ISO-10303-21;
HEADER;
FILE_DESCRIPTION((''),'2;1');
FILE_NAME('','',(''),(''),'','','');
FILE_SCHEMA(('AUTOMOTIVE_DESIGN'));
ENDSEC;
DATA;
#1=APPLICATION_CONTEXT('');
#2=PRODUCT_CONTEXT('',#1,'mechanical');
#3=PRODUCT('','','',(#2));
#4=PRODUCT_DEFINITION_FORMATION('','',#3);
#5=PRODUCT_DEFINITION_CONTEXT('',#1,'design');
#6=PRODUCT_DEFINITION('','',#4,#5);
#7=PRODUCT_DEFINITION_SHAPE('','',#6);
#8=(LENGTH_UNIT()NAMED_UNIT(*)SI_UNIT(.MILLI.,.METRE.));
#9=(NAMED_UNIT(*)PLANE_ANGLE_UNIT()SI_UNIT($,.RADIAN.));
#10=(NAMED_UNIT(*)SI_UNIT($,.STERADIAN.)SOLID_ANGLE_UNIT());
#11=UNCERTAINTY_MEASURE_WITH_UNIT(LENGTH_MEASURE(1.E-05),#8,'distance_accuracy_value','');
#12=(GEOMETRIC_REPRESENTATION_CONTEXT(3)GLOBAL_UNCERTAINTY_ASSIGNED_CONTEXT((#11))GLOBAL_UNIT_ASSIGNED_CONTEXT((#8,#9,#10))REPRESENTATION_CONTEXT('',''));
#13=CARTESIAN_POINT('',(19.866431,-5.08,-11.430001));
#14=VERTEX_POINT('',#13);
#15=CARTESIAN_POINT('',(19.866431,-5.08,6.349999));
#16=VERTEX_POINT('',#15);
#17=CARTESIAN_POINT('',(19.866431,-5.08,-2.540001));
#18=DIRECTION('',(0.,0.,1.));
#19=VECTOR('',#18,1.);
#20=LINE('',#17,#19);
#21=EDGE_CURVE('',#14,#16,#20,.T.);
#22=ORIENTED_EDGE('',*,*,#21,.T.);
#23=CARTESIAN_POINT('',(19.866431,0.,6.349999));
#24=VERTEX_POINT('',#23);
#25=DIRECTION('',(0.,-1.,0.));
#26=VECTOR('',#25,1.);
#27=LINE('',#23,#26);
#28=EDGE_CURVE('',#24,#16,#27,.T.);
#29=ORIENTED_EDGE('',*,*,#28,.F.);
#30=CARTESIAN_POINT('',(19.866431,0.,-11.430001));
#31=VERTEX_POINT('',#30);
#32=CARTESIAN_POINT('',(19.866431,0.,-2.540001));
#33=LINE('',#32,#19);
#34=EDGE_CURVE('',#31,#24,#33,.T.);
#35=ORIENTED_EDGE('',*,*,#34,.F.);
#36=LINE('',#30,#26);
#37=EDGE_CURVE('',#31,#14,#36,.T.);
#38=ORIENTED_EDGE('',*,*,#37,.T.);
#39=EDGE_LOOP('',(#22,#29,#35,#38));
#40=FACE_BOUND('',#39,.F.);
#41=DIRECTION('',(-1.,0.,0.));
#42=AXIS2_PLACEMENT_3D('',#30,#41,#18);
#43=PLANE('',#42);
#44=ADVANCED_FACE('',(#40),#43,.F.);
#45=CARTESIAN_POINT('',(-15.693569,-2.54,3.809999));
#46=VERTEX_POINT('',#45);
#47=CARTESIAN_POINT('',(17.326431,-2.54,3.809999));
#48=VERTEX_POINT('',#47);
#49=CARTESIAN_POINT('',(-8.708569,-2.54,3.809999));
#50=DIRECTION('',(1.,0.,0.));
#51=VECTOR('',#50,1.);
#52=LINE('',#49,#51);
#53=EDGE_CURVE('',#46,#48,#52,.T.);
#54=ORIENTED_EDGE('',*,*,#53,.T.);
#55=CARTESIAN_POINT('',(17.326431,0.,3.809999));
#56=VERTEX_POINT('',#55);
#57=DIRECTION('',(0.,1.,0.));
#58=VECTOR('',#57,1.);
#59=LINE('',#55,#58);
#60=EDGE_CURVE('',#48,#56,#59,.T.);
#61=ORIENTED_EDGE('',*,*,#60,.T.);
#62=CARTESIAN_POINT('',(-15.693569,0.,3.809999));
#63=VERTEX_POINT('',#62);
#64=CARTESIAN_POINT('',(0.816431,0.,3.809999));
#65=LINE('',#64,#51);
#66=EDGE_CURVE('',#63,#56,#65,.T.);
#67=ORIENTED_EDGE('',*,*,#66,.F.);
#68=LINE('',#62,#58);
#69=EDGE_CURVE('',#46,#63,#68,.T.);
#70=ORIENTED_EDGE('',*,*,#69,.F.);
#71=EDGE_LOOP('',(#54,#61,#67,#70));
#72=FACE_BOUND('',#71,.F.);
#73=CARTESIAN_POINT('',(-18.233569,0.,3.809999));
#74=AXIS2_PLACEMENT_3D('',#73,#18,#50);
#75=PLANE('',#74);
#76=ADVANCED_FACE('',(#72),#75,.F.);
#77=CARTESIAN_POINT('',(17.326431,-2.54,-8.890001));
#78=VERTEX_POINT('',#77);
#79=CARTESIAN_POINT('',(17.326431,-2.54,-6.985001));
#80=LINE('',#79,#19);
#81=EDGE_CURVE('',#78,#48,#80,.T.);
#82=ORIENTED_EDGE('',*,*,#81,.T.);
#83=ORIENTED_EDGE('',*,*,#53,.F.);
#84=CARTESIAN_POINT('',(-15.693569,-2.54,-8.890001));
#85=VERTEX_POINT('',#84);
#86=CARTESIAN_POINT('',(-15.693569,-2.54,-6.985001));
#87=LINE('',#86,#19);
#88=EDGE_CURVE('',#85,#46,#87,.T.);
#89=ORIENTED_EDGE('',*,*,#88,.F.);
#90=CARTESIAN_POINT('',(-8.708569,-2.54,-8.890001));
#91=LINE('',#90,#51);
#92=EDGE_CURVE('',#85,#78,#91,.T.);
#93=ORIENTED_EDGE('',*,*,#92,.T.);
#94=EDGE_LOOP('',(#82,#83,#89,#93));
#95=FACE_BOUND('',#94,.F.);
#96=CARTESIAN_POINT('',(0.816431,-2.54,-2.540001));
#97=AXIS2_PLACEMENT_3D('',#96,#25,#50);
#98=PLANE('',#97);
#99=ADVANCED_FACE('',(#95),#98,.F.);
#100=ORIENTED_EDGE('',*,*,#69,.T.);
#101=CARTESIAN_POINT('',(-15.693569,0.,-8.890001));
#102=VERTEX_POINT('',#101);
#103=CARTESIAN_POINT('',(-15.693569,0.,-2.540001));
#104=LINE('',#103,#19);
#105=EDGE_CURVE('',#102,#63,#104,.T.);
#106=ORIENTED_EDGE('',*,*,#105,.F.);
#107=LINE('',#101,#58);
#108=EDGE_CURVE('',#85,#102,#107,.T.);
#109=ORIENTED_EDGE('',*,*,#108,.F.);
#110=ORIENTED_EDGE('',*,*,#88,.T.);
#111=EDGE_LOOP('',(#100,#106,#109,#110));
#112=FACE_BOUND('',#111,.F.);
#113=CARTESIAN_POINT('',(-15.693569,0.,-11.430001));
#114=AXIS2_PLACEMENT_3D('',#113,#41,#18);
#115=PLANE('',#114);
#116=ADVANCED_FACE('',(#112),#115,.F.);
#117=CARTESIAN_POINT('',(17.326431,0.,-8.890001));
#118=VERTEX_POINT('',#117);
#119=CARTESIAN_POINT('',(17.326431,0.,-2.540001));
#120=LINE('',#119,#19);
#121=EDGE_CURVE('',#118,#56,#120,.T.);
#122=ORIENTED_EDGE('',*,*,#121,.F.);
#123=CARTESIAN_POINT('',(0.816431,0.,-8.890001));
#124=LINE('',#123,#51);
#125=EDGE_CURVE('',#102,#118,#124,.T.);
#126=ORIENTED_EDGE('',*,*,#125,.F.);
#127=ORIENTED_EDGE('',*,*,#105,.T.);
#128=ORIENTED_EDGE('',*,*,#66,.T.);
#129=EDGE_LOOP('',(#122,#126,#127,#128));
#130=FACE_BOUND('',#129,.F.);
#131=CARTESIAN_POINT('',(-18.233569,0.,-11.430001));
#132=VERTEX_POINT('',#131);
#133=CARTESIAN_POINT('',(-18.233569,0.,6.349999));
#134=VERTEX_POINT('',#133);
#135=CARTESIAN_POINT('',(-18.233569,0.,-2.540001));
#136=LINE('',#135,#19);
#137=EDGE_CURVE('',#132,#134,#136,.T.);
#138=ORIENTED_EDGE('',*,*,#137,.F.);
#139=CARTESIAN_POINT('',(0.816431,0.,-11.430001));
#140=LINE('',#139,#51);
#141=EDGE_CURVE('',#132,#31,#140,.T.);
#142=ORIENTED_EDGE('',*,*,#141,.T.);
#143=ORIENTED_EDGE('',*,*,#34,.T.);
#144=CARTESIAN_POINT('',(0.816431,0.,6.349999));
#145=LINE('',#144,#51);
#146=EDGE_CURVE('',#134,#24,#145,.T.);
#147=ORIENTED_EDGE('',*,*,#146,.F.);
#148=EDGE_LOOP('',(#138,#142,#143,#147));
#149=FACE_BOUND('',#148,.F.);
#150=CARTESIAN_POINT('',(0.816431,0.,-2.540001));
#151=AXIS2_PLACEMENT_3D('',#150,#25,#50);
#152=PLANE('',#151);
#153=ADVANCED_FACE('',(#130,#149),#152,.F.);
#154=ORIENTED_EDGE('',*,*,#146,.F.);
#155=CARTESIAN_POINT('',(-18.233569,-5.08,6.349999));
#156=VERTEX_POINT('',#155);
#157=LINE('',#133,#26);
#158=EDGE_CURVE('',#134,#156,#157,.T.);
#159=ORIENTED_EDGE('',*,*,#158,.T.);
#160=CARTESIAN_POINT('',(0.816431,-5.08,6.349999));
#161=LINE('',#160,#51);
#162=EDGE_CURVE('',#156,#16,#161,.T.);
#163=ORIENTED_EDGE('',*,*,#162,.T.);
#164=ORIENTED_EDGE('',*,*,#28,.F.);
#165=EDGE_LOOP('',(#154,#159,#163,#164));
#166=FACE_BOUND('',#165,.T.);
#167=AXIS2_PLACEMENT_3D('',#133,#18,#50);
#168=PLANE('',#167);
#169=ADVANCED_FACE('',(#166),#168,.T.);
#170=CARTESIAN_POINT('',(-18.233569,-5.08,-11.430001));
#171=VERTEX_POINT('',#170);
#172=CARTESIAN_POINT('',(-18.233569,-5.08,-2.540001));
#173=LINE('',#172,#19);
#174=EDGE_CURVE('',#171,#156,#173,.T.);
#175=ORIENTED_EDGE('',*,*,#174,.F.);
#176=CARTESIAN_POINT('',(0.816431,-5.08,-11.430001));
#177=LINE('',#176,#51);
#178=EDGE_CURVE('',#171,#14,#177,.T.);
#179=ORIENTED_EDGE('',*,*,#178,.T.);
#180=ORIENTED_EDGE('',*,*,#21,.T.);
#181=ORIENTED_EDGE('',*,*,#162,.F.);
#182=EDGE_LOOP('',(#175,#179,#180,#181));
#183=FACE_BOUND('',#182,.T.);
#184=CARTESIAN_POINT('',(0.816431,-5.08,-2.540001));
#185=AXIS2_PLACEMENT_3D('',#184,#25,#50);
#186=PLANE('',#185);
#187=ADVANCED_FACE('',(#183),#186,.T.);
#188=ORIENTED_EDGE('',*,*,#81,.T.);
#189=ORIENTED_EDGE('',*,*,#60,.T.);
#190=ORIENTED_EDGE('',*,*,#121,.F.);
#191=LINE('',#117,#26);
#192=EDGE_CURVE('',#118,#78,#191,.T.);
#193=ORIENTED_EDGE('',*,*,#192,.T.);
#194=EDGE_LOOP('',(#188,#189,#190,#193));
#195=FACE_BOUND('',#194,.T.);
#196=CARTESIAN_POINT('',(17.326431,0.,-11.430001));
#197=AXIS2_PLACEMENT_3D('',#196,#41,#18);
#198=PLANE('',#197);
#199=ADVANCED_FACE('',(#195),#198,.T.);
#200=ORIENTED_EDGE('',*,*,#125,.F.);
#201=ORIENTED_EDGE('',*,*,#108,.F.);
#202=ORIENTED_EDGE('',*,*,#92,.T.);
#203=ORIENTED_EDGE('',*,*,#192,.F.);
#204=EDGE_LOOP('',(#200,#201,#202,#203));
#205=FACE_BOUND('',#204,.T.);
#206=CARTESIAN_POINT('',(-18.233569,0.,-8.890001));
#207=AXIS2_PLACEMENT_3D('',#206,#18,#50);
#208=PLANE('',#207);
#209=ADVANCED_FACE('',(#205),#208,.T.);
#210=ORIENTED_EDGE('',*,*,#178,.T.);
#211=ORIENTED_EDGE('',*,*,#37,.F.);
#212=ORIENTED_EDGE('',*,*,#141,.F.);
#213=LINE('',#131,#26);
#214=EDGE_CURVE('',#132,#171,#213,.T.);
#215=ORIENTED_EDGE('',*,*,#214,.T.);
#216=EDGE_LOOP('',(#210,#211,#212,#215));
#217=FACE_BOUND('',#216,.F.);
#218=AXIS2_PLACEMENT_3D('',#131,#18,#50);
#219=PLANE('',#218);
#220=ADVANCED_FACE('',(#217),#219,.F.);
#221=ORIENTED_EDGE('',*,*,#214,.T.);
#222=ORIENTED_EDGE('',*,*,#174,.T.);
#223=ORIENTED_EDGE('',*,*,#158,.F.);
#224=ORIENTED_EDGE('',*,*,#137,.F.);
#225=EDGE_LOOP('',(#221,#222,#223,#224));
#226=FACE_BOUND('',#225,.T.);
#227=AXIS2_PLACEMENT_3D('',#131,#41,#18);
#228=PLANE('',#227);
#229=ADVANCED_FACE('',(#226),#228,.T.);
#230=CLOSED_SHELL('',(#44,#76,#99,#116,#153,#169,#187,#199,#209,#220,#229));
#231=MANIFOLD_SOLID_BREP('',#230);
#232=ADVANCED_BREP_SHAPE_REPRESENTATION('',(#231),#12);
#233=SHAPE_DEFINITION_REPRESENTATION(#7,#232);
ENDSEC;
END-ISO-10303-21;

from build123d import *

# Parameters (mm, degrees)
F0_W     = 38.1
F0_H     = 17.78
F1_DEPTH = 5.08
F2_T     = -5.08
F3_T     = -2.54


with BuildPart() as f1:
    # F0 (on Front) → F1 (new body)
    with BuildSketch(Plane.XZ):
        with Locations((0.816431, -2.540001)):
            Rectangle(F0_W, F0_H)
    extrude(amount=F1_DEPTH)

    # F2
    f2_openings = [f1.faces().sort_by_distance(p)[0] for p in [
        (0.816431, 0, -2.540001),
    ]]
    offset(amount=F2_T, openings=f2_openings)

    # F3
    f3_openings = [f1.faces().sort_by_distance(p)[0] for p in [
        (0.816431, 0, -2.540001),
    ]]
    offset(amount=F3_T, openings=f3_openings)


solid = f1.part
